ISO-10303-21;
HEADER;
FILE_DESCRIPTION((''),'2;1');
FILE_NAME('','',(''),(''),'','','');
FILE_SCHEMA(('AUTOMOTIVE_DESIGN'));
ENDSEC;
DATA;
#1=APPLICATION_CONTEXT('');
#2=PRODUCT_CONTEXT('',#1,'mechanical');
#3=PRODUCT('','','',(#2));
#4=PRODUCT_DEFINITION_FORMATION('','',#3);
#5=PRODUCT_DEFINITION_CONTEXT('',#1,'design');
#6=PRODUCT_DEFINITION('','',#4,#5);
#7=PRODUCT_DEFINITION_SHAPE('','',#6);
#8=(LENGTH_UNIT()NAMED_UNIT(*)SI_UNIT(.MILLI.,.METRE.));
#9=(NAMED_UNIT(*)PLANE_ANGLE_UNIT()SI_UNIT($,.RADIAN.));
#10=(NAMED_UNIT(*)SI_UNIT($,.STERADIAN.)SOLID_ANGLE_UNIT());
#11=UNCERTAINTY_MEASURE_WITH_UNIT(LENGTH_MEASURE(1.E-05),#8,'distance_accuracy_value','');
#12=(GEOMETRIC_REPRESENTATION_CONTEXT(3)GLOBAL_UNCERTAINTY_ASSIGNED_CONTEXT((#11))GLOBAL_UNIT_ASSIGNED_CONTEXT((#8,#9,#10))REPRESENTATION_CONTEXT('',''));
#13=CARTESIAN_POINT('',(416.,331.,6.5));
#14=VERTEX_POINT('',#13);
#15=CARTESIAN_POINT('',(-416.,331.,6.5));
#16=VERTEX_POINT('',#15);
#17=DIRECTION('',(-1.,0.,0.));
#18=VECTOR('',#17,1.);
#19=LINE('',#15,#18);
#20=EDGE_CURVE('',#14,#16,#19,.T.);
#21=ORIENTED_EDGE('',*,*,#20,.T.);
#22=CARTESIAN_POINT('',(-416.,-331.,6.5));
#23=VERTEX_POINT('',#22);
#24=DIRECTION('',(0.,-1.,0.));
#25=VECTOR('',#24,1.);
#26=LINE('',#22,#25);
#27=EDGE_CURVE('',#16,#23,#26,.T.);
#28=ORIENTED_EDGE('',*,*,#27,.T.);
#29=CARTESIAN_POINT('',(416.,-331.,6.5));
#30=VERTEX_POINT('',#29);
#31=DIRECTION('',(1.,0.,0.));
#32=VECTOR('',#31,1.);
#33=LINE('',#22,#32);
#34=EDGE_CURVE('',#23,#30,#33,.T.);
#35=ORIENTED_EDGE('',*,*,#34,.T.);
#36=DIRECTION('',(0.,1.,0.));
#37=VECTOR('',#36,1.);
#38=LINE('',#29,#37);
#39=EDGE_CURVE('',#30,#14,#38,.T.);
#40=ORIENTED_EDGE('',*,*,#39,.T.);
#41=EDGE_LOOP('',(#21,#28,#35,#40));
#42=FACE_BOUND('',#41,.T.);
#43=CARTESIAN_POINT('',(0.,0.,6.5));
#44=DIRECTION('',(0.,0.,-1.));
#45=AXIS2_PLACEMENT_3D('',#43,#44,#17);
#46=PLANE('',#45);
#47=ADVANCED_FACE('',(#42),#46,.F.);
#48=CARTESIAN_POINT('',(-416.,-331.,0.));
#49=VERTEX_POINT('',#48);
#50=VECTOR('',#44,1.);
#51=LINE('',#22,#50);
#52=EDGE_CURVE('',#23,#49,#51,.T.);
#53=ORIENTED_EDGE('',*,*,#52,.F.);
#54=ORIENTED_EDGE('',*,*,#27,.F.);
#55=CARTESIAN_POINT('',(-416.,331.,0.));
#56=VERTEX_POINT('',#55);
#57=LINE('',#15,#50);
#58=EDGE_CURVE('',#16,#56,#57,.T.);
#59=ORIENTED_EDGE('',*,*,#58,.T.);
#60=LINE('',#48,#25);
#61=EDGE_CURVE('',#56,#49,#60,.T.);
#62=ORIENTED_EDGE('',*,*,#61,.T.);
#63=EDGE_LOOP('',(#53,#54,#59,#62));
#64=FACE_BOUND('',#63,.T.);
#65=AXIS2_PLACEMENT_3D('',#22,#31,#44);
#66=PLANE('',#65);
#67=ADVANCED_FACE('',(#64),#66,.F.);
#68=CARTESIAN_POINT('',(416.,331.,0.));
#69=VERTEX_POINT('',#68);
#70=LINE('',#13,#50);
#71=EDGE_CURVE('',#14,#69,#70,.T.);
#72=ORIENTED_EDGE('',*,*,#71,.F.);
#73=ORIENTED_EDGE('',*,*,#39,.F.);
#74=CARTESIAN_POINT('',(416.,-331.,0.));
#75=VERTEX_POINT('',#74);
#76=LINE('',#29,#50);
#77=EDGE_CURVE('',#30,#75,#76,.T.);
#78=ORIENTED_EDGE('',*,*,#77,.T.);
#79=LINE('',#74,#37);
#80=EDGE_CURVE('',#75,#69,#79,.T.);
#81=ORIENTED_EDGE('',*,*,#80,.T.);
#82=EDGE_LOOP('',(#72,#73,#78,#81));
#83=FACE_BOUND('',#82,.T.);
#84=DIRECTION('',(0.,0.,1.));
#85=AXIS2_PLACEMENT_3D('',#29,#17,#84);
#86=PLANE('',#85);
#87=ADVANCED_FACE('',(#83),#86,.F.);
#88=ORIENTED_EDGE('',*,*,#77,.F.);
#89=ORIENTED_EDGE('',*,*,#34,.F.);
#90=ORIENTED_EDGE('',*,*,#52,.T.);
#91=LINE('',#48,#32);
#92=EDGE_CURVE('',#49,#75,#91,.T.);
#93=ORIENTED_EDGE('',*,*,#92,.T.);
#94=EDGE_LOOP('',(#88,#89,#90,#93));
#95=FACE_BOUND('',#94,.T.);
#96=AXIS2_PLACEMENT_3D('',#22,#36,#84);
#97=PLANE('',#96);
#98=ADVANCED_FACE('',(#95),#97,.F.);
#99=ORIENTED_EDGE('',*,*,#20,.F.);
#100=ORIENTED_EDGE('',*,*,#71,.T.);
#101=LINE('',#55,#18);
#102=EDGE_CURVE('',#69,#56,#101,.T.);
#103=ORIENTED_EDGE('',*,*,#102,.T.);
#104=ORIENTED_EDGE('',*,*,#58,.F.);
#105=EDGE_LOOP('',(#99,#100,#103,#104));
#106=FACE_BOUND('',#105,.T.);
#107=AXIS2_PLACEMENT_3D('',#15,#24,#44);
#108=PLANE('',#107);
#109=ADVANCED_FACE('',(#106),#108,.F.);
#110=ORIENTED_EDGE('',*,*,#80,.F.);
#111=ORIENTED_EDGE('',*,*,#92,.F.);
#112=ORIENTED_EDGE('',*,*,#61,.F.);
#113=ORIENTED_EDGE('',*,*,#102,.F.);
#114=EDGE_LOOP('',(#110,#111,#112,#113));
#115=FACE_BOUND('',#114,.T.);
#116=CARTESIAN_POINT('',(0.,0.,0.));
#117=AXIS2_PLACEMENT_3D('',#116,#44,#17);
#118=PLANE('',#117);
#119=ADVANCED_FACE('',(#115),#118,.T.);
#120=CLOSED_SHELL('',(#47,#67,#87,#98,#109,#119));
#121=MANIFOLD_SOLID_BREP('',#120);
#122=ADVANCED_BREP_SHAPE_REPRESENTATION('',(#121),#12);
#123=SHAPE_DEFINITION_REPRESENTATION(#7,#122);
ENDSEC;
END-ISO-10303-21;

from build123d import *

# Parameters (mm, degrees)
ESQUISSE1_W        = 832
ESQUISSE1_H        = 662
BOSS_EXTRU_1_DEPTH = 6.5


with BuildPart() as part:
    # Esquisse1 → Boss.-Extru.1 (new body)
    with BuildSketch(Plane.XY):
        Rectangle(ESQUISSE1_W, ESQUISSE1_H)
    extrude(amount=BOSS_EXTRU_1_DEPTH)


solid = part.part
